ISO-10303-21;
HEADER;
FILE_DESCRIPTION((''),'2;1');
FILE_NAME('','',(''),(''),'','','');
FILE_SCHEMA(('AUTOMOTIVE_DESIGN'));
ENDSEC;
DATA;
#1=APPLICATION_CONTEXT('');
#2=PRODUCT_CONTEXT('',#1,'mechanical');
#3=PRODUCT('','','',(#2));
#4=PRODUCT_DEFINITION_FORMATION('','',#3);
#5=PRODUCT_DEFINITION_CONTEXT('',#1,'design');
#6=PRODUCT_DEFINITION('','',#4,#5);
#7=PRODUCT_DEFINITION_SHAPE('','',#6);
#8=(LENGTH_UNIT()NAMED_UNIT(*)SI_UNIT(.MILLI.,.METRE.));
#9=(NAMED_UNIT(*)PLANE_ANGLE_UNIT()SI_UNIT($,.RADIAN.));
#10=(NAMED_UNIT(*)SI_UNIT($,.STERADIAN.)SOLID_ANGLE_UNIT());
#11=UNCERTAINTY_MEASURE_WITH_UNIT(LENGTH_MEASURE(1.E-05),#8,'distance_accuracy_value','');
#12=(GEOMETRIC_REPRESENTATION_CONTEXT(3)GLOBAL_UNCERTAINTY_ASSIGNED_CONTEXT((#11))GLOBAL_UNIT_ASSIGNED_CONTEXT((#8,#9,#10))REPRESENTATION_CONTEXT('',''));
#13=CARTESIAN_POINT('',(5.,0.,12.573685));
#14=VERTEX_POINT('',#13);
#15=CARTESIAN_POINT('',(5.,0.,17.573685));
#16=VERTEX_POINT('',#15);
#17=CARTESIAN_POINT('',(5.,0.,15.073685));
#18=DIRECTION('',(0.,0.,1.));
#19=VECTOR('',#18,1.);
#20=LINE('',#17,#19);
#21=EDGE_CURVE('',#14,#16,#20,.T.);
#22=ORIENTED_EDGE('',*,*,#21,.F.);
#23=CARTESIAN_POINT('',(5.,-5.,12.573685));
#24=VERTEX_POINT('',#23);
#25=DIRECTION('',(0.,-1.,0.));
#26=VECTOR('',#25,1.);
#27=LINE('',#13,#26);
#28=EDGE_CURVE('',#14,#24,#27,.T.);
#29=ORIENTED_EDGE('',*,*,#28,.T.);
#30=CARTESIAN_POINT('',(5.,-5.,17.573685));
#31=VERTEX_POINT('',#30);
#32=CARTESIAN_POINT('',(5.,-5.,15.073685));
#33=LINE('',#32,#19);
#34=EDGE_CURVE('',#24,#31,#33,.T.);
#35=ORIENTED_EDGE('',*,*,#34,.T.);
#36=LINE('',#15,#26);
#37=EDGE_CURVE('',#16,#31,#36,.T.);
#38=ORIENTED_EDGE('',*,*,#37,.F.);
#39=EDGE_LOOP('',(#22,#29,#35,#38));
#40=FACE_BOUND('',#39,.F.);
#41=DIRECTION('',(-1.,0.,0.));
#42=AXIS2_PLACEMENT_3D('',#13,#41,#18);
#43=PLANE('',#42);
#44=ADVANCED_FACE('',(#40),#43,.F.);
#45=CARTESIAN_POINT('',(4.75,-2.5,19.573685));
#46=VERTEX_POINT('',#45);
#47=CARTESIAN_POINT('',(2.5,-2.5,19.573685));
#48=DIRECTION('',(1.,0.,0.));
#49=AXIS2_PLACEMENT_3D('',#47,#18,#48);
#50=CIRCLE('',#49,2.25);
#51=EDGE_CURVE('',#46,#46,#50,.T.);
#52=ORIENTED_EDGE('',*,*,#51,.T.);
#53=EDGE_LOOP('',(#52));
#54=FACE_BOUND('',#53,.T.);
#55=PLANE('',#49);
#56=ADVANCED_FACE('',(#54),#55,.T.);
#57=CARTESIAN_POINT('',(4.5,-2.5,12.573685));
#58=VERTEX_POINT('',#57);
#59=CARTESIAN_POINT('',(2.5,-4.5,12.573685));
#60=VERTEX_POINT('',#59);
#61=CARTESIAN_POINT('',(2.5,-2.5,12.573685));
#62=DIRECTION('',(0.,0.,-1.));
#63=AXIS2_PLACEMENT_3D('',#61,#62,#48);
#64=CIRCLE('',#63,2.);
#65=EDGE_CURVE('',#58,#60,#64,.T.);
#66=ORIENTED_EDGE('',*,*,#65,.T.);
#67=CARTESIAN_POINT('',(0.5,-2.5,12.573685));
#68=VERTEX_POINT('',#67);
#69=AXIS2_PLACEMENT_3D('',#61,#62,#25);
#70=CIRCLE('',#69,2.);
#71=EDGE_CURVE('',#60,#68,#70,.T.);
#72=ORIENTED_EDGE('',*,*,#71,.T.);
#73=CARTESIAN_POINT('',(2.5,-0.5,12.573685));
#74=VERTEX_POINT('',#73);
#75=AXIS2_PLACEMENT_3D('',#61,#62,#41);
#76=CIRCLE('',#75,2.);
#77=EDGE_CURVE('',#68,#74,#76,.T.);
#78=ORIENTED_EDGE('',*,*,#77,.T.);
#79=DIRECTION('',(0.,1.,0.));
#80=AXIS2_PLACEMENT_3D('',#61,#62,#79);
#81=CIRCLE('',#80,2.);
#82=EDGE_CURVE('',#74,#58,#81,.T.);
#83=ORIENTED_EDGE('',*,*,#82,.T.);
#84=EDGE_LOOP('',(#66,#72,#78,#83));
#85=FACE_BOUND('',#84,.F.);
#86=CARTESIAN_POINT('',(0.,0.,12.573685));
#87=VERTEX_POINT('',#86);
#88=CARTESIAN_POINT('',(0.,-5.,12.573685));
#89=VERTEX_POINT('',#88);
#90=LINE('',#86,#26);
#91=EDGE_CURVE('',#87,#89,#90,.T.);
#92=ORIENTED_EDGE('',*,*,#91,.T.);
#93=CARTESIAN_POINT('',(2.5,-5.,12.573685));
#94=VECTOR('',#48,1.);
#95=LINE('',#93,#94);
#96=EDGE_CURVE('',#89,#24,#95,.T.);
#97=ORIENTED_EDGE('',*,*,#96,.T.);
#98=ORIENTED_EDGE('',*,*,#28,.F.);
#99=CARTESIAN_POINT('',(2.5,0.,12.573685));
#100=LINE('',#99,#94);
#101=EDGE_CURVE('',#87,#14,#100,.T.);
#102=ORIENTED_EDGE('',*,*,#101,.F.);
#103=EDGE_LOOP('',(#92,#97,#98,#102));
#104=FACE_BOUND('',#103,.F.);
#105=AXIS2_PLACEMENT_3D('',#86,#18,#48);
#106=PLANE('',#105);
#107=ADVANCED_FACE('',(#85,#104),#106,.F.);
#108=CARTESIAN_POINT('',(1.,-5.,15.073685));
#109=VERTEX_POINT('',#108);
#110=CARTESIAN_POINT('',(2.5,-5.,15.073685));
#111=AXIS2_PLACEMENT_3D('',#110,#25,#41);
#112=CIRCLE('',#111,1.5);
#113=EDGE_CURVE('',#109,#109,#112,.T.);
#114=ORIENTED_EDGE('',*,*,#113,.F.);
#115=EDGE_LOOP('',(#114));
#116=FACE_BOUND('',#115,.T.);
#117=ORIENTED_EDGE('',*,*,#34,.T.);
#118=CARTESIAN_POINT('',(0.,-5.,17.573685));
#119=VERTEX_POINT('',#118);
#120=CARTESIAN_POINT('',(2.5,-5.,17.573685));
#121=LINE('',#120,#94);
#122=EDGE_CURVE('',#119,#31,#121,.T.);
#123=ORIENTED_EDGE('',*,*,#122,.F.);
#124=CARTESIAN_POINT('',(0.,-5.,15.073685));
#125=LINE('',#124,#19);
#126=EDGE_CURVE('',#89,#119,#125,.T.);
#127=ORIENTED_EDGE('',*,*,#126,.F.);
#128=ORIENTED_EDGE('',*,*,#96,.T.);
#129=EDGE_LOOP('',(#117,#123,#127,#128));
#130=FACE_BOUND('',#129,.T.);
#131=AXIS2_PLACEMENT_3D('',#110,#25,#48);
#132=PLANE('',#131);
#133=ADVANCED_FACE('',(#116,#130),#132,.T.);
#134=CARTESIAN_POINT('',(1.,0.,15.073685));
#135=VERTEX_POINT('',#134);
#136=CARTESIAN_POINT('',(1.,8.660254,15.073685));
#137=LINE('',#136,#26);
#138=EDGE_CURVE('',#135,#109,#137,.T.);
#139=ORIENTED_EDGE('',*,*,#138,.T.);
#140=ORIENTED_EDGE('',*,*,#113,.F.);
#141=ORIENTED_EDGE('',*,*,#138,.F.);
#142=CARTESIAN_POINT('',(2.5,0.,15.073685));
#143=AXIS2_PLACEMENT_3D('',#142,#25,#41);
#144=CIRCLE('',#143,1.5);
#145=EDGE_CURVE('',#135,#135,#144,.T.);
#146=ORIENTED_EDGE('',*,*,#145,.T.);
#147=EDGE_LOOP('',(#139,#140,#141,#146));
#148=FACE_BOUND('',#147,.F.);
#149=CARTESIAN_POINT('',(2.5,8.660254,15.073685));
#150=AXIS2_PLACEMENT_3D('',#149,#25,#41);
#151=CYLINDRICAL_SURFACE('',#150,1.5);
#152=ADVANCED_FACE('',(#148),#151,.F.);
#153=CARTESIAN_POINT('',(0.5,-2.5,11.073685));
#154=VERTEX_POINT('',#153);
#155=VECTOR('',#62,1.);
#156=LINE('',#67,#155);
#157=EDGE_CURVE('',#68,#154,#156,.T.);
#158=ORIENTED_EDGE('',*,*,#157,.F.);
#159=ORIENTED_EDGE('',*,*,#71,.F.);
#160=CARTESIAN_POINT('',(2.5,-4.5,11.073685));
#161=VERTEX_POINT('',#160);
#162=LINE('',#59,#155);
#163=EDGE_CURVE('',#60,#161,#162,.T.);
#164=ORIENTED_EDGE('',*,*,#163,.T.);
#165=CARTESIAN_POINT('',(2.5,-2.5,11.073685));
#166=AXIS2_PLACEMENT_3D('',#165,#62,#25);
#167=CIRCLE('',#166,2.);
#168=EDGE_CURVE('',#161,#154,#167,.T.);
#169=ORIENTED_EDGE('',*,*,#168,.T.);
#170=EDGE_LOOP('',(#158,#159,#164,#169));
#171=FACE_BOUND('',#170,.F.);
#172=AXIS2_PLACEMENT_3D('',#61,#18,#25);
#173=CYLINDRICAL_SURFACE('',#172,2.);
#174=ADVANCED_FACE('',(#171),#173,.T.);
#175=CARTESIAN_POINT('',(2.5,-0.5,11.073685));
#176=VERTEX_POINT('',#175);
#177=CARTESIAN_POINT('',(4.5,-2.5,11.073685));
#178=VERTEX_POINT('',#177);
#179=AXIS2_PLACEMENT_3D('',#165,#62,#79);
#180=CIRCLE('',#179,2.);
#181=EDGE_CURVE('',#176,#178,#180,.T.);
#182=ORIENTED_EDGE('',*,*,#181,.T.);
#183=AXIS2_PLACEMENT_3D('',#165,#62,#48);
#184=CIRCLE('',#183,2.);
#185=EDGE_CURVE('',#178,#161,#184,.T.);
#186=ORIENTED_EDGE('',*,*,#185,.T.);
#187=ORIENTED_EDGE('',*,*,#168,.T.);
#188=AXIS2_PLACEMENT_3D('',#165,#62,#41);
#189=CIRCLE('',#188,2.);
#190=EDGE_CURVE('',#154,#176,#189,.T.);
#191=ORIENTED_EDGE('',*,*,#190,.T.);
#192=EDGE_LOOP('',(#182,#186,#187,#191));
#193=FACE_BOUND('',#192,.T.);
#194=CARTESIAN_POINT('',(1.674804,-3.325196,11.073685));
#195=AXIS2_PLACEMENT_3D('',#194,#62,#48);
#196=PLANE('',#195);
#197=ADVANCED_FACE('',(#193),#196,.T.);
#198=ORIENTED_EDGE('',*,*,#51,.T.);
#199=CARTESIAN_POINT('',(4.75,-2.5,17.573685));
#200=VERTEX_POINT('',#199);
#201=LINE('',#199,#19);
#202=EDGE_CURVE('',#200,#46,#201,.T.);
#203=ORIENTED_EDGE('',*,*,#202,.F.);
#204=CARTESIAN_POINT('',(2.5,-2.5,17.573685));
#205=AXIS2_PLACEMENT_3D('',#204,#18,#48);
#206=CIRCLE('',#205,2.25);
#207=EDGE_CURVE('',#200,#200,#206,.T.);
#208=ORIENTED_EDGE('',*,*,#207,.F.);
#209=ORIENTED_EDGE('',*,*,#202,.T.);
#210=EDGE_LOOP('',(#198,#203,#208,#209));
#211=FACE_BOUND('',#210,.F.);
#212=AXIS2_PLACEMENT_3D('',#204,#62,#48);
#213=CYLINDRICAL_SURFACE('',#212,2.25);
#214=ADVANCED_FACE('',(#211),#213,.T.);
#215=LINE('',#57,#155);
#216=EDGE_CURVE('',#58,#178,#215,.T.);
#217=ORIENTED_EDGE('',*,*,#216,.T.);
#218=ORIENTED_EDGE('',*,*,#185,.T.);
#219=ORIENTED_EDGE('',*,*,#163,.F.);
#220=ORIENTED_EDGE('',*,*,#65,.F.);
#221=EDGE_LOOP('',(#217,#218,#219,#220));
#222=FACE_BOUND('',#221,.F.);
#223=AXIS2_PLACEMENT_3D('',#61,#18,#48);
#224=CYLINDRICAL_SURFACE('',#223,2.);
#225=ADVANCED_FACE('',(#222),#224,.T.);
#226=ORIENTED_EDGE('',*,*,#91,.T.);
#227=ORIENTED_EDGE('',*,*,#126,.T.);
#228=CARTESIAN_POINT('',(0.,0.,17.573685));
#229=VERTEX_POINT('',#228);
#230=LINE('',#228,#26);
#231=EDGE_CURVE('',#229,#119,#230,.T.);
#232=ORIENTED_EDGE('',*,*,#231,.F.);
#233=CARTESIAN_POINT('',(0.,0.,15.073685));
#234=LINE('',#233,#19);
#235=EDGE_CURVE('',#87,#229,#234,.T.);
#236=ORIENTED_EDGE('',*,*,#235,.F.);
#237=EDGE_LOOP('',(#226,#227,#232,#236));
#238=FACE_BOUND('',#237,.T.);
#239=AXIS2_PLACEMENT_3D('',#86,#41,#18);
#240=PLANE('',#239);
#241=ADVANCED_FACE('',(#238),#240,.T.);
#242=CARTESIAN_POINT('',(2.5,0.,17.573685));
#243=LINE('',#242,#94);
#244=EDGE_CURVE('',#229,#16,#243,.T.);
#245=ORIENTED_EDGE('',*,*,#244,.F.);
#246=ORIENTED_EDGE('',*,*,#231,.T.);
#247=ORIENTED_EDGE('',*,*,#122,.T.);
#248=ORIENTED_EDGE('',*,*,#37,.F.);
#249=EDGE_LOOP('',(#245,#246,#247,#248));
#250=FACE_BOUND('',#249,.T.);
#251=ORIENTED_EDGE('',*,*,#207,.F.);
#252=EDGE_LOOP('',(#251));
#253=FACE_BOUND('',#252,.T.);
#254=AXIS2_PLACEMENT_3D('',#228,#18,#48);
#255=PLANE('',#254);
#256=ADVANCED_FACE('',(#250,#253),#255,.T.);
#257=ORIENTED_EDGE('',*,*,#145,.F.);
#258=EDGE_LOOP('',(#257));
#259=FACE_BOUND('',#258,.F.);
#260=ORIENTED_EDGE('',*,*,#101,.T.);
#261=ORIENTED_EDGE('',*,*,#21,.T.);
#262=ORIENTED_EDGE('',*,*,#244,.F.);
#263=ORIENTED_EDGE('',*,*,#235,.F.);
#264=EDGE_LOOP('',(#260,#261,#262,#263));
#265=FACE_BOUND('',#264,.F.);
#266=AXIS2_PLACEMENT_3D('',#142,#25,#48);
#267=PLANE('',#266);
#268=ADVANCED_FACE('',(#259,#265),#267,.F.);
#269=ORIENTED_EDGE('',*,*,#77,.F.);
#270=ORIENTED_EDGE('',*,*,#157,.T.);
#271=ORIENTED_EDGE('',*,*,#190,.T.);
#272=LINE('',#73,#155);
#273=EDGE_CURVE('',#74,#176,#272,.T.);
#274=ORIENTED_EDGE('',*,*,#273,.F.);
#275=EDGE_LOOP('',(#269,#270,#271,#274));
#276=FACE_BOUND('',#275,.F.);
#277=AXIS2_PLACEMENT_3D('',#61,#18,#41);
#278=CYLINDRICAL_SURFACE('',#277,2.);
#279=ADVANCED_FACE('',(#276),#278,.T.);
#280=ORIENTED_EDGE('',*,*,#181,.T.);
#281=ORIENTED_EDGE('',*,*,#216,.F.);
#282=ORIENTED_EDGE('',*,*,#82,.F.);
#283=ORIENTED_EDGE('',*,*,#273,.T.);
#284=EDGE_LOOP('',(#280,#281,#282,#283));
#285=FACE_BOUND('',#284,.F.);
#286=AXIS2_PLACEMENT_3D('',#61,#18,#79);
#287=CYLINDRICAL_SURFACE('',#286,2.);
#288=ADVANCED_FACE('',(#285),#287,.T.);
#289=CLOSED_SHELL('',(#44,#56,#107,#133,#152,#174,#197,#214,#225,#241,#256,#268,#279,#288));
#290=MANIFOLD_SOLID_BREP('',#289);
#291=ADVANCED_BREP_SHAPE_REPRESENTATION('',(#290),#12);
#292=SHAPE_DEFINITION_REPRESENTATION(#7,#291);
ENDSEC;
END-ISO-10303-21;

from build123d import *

# Parameters (mm, degrees)
F0_W     = 5
F0_H     = 5
F1_DEPTH = 5
F2_D     = 3
F3_R     = 2.25
F4_DEPTH = 2
F6_DEPTH = 1.5


with BuildPart() as f1:
    # F0 (on Front) → F1 (new body)
    with BuildSketch(Plane.XZ):
        with Locations((2.5, 15.0736845657)):
            Rectangle(F0_W, F0_H)
    extrude(amount=F1_DEPTH)

    # F2 (through all)
    with Locations(Plane(origin=(0, 0, 0), x_dir=(1, 0, 0), z_dir=(0, 1, 0))):
        with Locations((2.5, -15.0736845657)):
            Hole(F2_D / 2)

    # F3 (on face) → F4 (join)
    with BuildSketch(Plane.XY.offset(17.5736845657)):
        with Locations((2.5, -2.5)):
            Circle(F3_R)
    extrude(amount=F4_DEPTH)

    # F5 (on face) → F6 (join)
    with BuildSketch(Plane(origin=(0, 0, 12.5736845657), x_dir=(1, 0, 0), z_dir=(0, 0, -1))):
        with BuildLine():
            Line((2.5, 2.5), (2.5, 4.5))
            ThreePointArc((2.5, 4.5), (1.0857864376, 3.9142135624), (0.5, 2.5))
            Line((0.5, 2.5), (2.5, 2.5))
        make_face()
        with BuildLine():
            ThreePointArc((4.5, 2.5), (3.9142135624, 3.9142135624), (2.5, 4.5))
            Line((2.5, 4.5), (2.5, 2.5))
            Line((2.5, 2.5), (4.5, 2.5))
        make_face()
        with BuildLine():
            Line((4.5, 2.5), (2.5, 2.5))
            Line((2.5, 2.5), (2.5, 0.5))
            ThreePointArc((2.5, 0.5), (3.9142135624, 1.0857864376), (4.5, 2.5))
        make_face()
        with BuildLine():
            Line((2.5, 0.5), (2.5, 2.5))
            Line((2.5, 2.5), (0.5, 2.5))
            ThreePointArc((0.5, 2.5), (1.0857864376, 1.0857864376), (2.5, 0.5))
        make_face()
    extrude(amount=F6_DEPTH)


solid = f1.part
